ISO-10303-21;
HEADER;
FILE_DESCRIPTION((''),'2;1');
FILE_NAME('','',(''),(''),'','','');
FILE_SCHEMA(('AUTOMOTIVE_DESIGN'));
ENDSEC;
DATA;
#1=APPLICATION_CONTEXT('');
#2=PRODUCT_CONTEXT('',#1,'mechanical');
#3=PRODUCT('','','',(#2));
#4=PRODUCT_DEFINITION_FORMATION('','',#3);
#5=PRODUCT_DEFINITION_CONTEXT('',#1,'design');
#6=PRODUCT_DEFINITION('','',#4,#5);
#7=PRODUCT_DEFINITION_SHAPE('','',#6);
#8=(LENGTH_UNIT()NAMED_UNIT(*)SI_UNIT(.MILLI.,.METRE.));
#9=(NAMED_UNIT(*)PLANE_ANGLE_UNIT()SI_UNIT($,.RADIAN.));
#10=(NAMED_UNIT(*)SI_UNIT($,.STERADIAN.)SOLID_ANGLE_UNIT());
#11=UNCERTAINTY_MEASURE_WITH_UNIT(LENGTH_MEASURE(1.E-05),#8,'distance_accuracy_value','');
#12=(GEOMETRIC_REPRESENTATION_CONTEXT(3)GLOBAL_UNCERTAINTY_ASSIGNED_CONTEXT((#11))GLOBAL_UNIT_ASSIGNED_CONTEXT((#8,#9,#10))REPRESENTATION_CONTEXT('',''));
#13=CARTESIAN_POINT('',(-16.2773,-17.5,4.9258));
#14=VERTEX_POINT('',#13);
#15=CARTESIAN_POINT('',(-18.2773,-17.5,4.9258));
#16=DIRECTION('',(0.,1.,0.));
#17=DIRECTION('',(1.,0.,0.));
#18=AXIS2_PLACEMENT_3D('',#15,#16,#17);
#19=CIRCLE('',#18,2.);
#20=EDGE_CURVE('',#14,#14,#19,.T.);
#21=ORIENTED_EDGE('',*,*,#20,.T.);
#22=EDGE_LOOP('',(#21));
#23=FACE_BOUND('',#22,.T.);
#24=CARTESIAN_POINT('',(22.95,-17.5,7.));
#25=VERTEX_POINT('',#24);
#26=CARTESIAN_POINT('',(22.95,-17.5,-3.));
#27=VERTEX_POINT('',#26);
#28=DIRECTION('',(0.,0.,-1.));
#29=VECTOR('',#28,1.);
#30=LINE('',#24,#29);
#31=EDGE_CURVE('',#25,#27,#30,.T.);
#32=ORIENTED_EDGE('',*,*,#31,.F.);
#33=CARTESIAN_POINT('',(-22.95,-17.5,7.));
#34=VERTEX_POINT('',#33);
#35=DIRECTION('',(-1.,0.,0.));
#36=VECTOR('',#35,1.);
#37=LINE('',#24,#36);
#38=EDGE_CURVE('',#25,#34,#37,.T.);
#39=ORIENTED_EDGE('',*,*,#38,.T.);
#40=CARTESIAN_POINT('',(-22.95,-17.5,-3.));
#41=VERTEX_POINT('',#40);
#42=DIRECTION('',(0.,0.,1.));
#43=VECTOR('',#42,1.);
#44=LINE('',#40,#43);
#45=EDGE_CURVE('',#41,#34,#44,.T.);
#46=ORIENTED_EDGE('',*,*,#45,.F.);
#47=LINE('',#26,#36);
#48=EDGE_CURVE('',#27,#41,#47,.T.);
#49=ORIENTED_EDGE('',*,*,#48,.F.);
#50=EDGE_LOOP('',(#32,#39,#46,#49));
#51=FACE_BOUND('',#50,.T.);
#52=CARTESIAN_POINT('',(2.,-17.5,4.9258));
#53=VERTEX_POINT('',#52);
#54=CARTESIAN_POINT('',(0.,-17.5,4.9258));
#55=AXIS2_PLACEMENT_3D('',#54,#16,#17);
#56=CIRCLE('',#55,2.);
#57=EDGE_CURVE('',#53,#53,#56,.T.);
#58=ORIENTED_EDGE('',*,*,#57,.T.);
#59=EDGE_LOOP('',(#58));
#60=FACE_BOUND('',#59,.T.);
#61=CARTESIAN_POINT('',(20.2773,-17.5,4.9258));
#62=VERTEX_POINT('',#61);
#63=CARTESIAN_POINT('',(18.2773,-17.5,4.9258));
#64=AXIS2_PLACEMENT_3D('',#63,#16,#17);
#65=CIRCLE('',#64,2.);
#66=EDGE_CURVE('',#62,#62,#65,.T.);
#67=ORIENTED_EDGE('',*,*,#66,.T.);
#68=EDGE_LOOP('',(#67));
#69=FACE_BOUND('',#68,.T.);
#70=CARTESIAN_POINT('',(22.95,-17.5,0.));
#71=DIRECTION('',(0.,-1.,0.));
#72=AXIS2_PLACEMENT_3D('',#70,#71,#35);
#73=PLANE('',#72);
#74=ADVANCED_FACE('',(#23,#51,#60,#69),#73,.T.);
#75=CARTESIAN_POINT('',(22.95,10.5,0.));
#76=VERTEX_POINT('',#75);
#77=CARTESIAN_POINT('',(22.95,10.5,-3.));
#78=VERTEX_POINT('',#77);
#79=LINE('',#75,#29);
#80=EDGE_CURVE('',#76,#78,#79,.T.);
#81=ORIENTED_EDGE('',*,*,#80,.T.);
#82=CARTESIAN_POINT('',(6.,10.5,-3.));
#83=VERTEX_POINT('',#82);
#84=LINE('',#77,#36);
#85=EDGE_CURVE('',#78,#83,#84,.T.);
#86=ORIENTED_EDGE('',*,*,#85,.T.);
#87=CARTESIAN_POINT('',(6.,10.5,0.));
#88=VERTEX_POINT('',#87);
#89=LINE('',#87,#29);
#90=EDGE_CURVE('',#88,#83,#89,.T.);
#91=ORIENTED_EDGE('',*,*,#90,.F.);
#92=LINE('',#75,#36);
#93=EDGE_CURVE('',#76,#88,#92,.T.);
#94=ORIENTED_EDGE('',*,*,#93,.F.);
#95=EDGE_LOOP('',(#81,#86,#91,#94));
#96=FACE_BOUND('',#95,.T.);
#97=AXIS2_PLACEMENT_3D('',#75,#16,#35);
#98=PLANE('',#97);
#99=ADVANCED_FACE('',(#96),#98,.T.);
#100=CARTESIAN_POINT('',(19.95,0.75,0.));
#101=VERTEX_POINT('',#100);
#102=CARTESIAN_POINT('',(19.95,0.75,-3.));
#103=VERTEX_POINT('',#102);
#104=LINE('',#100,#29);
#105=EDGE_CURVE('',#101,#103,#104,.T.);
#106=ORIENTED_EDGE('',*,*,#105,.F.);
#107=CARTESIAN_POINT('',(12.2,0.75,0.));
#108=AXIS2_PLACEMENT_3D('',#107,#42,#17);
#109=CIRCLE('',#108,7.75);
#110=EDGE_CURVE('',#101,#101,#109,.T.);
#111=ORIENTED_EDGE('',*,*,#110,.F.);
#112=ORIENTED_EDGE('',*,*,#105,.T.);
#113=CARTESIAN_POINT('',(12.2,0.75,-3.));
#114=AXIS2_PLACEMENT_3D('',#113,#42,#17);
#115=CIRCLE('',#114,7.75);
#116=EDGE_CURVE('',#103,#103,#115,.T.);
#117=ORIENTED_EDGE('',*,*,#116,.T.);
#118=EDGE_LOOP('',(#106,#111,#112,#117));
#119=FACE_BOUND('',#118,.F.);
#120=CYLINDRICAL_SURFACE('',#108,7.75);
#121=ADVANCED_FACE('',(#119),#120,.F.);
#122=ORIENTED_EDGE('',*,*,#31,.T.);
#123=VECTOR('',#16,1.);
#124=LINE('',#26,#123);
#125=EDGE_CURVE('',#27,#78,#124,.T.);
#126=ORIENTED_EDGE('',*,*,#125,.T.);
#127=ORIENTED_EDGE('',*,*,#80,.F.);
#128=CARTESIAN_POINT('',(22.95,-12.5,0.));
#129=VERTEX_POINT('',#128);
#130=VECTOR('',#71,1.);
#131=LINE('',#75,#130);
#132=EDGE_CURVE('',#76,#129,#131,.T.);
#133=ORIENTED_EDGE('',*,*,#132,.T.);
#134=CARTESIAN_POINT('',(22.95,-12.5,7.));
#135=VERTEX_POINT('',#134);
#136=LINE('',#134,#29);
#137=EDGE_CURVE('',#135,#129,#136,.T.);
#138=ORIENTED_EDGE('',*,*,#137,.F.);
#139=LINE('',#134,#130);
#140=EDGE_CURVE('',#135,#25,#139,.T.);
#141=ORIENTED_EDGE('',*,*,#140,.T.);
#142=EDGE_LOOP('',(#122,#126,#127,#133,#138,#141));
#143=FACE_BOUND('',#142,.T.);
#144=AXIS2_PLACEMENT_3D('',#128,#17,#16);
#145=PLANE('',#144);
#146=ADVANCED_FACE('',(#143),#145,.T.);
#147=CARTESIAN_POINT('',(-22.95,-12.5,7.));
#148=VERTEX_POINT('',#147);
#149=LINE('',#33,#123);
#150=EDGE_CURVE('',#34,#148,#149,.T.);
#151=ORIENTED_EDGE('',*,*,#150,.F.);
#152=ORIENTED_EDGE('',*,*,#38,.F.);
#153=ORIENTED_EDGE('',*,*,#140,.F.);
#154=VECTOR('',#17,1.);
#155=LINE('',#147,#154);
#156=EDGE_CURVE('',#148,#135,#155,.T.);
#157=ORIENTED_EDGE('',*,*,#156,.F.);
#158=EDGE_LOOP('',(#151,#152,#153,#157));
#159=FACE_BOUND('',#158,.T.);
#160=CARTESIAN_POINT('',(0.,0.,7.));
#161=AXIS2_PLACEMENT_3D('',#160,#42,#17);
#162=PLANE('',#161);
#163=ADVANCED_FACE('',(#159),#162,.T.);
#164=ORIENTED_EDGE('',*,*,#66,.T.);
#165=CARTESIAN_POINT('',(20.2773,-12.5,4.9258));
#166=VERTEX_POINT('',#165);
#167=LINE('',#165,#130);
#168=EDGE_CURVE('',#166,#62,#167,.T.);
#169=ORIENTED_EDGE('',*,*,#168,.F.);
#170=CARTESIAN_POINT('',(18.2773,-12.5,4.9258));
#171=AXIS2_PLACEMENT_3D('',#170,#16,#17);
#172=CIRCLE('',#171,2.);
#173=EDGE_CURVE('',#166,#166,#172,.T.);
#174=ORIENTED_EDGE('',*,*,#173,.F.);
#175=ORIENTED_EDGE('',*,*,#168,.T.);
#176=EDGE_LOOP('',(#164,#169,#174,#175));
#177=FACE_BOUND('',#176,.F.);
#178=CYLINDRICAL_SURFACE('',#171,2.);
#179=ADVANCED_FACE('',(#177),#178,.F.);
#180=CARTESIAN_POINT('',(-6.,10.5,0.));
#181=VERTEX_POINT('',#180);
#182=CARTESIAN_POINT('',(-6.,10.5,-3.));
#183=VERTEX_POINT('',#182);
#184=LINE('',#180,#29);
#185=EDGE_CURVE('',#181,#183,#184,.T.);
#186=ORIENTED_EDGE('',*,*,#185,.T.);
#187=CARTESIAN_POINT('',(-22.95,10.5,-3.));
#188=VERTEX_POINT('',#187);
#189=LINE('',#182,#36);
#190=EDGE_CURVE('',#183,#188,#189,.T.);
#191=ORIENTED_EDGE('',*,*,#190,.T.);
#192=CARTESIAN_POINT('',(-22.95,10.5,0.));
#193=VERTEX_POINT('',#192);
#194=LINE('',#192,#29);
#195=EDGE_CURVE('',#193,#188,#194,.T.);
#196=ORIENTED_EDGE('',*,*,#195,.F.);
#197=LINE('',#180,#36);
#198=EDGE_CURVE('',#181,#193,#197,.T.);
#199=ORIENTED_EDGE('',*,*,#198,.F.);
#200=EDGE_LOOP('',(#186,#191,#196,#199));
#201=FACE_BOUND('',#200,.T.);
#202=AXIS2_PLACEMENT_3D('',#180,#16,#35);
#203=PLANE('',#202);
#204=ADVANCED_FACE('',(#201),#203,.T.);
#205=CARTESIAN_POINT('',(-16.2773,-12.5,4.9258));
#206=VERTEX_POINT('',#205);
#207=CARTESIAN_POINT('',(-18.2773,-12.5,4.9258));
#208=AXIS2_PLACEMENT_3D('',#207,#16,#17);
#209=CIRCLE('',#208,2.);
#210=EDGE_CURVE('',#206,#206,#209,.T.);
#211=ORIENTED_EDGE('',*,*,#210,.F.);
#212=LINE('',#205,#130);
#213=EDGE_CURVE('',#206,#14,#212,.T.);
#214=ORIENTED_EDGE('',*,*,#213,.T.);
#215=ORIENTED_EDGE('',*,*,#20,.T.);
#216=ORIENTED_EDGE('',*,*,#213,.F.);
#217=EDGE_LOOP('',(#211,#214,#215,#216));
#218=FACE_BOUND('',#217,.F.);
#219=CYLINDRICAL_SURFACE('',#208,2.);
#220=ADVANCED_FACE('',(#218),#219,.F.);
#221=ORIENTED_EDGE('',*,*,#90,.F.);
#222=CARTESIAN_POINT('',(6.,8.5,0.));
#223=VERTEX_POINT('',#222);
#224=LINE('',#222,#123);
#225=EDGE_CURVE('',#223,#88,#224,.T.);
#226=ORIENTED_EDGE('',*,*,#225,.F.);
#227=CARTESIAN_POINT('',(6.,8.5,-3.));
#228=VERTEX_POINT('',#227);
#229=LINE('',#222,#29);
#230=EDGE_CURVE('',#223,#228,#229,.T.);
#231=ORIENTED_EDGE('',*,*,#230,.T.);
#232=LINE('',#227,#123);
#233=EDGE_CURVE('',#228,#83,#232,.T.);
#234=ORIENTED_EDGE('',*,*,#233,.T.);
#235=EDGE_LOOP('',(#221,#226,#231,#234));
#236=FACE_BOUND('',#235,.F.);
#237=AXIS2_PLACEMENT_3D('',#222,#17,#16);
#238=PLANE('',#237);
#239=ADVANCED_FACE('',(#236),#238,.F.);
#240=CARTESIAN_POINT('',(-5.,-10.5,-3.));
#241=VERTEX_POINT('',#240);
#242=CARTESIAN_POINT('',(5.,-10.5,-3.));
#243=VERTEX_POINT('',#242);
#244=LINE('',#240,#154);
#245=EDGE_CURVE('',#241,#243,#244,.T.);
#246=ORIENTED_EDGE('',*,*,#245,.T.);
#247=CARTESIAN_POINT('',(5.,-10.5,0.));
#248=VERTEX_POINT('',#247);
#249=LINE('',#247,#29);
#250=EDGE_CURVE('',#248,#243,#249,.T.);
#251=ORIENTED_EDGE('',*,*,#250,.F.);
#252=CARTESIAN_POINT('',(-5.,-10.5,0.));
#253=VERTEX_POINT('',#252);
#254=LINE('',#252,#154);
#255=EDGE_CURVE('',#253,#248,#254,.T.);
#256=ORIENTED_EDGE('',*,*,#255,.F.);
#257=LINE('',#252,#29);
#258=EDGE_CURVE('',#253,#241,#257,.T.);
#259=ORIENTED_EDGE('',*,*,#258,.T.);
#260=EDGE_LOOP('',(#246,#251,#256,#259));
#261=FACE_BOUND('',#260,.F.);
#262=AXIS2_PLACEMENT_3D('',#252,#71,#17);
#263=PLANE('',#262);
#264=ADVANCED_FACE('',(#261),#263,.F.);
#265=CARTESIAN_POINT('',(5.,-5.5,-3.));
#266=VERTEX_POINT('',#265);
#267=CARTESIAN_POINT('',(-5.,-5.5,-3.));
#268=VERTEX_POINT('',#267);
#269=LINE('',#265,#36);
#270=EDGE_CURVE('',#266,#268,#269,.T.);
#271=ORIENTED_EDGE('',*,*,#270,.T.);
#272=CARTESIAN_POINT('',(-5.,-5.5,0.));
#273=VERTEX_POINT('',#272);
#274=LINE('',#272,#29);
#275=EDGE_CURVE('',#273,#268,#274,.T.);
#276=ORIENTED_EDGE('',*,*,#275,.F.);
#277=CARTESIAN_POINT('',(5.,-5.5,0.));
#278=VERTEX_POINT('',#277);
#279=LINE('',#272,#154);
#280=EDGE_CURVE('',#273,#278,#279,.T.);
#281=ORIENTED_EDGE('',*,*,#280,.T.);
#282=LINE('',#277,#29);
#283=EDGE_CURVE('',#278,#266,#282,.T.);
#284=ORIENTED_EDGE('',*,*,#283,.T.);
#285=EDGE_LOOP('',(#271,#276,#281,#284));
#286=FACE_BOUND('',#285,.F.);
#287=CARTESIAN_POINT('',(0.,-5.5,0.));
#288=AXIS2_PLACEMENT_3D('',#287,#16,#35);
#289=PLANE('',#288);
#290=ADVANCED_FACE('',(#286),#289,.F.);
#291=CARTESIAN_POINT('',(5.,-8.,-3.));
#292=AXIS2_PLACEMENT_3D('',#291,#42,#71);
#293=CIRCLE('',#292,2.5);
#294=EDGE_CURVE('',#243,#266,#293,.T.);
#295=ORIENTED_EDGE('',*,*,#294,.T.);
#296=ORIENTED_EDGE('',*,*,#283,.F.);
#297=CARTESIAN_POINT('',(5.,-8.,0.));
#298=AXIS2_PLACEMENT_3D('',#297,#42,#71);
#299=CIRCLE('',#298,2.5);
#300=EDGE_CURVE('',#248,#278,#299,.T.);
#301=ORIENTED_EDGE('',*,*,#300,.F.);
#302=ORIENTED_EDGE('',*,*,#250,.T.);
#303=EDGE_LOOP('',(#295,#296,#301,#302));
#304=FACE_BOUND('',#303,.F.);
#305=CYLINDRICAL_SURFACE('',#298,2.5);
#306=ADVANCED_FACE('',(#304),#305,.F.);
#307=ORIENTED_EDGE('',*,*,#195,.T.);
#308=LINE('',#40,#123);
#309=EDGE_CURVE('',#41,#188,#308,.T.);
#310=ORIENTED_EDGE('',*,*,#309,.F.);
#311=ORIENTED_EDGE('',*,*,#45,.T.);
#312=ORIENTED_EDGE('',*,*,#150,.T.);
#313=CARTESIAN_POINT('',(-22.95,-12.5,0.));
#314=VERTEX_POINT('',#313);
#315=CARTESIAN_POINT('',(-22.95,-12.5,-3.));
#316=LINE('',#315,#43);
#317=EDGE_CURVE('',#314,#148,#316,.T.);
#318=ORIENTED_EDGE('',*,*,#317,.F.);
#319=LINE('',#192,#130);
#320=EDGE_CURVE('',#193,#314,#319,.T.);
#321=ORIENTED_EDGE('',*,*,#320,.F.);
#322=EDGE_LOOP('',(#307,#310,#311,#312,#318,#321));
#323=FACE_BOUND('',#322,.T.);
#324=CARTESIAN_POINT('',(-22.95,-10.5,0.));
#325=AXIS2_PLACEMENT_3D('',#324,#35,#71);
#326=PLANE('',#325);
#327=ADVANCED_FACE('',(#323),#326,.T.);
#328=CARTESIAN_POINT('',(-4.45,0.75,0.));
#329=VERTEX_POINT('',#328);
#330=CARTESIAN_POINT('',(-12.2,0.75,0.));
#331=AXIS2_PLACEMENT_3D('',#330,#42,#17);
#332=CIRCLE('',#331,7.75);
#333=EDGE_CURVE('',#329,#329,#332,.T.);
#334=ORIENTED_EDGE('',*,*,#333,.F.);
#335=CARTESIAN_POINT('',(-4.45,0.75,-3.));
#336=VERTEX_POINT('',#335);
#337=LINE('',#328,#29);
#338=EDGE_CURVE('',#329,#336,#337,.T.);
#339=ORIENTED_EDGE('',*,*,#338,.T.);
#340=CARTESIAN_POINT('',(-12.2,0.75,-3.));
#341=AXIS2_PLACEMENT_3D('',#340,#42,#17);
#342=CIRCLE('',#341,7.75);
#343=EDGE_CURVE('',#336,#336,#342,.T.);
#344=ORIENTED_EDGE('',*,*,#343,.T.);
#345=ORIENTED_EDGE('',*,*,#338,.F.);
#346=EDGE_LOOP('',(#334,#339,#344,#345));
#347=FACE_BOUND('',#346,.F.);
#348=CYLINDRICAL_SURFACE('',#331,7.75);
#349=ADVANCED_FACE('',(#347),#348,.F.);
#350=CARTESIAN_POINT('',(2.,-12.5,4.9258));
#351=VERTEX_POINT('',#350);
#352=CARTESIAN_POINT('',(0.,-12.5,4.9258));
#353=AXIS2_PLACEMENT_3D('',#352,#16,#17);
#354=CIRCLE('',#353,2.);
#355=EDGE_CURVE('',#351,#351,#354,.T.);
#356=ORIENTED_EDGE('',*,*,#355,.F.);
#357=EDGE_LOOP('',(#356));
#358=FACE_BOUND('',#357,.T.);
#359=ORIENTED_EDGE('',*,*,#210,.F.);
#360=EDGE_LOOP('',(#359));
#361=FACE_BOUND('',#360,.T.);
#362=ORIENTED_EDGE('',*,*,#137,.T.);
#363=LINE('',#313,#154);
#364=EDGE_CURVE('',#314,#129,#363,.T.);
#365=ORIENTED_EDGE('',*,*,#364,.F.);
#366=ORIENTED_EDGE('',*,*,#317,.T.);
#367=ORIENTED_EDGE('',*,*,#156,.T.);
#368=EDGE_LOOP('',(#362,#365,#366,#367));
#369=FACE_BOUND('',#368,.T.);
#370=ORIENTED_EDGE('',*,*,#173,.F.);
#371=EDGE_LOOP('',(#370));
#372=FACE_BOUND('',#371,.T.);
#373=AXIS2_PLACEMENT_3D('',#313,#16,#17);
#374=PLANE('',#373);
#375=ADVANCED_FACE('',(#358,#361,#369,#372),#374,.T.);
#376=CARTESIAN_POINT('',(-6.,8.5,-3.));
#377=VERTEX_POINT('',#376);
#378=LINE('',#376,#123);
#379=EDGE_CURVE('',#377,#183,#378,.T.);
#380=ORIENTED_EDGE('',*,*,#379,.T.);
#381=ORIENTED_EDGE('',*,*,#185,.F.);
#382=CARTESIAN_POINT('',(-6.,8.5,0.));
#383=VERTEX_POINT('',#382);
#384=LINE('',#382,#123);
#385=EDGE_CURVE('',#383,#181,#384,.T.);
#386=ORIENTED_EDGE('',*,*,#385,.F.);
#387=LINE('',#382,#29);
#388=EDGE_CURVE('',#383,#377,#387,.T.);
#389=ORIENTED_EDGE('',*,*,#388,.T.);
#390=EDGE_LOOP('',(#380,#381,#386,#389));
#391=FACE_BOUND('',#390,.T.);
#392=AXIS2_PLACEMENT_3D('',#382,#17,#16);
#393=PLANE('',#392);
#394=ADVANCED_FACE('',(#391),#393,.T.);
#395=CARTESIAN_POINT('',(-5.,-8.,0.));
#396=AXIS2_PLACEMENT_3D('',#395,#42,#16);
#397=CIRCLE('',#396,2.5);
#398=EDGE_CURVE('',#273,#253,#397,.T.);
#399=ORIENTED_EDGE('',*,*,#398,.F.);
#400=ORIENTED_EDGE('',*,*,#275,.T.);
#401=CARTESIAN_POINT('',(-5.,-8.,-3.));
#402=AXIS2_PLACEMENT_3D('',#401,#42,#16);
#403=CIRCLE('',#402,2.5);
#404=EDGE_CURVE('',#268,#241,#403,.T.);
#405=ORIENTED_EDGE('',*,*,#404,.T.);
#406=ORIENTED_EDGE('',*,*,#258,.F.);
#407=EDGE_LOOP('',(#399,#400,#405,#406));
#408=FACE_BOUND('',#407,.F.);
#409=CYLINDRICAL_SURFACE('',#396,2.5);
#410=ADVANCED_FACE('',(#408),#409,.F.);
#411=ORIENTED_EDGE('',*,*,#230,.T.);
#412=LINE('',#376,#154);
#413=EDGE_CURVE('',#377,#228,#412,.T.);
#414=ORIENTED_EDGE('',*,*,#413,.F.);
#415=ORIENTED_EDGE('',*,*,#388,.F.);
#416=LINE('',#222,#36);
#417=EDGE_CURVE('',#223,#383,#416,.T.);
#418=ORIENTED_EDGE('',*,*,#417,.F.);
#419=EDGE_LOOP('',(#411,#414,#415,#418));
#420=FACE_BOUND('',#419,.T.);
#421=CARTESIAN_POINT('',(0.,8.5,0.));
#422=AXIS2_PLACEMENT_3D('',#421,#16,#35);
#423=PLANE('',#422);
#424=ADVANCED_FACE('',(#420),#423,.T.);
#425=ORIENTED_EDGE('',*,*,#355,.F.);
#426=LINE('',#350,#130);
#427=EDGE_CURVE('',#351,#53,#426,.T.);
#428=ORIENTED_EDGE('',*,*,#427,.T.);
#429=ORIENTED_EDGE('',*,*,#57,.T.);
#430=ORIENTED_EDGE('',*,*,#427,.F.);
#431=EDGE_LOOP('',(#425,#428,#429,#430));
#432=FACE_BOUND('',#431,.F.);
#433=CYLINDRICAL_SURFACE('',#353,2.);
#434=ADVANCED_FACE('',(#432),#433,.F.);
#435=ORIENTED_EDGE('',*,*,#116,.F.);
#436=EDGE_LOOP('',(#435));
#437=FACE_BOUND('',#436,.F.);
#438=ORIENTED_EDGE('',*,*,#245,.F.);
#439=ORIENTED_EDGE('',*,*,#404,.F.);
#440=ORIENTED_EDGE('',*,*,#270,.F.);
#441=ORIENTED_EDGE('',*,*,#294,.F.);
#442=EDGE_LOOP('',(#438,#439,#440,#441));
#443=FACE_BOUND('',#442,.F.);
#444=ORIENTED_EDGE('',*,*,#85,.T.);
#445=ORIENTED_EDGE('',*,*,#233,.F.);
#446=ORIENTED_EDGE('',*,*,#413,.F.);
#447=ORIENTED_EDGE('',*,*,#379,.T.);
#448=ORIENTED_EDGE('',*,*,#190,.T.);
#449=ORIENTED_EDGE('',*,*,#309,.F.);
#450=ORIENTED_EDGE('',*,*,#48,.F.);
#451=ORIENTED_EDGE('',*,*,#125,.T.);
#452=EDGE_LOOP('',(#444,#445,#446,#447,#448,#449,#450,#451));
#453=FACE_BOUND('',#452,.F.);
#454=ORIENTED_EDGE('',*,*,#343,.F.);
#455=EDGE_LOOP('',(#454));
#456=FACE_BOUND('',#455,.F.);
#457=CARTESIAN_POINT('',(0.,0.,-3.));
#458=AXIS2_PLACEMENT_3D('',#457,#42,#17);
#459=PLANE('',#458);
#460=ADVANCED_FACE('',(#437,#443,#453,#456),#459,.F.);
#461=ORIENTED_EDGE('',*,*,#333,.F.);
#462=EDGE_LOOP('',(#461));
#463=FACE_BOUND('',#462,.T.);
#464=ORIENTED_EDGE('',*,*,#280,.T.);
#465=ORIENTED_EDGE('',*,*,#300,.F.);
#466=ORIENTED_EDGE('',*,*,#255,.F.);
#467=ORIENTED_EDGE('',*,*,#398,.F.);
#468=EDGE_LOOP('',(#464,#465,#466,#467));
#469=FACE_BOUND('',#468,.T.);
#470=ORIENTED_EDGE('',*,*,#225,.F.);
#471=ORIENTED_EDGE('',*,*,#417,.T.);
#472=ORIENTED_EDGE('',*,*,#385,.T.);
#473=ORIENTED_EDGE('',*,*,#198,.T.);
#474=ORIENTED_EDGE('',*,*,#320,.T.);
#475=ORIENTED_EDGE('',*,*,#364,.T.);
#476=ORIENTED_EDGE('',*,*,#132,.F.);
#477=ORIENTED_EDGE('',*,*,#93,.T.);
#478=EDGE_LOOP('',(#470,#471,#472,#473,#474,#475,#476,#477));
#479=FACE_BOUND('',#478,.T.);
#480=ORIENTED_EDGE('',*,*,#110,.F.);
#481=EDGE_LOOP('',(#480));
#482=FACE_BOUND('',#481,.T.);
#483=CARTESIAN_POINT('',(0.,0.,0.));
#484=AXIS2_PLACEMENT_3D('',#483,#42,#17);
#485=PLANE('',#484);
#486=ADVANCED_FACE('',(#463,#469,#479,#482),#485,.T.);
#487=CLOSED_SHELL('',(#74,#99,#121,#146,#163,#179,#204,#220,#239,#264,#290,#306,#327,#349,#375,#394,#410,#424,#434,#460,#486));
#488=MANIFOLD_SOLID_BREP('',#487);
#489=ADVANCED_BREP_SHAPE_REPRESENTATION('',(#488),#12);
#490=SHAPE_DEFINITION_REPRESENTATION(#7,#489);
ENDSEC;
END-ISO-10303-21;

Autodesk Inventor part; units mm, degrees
ref_plane "YZ Plane" through (0, 0, 0) normal (1, 0, 0) x (0, 1, 0)
ref_plane "XZ Plane" through (0, 0, 0) normal (0, 1, 0) x (-1, 0, 0)
ref_plane "XY Plane" through (0, 0, 0) normal (0, 0, 1) x (1, 0, 0)
sketch "Эскиз3" plane through (0, 0, 0) normal (0, 0, 1) x (1, 0, 0)
  line L0 (22.95, -10.5) -> (22.95, 10.5)
  line L1 (-22.95, 10.5) -> (-22.95, -10.5)
  line L2 (-22.95, -10.5) -> (22.95, 10.5) construction
  line L3 (22.95, -10.5) -> (-22.95, 10.5) construction
  line L4 (-6, 10.5) -> (-22.95, 10.5) construction
  line L5 (6, 10.5) -> (22.95, 10.5) construction
  line L6 (22.95, 0) -> (19.95, 0) construction
  line L7 (16.3868, 10.5) -> (16.3868, 8.5) construction
  line L8 (17.599, 8.5) -> (14.8742, 8.5) construction
  line L9 (19.95, 1.7069) -> (19.95, -1.7382) construction
  line L10 (16.2366, -10.5) -> (16.2366, -7) construction
  line L11 (17.599, -7) -> (14.2766, -7) construction
  circle A0 centre (12.2, 0.75) radius 7.75
  line L12 (0, 10.5) -> (0, -10.5) construction
  line L13 (-22.95, 0) -> (-19.95, 0) construction
  line L14 (-16.3868, 10.5) -> (-16.3868, 8.5) construction
  line L15 (-17.599, 8.5) -> (-14.8742, 8.5) construction
  line L16 (-19.95, 1.7069) -> (-19.95, -1.7382) construction
  line L17 (-16.2366, -10.5) -> (-16.2366, -7) construction
  line L18 (-17.599, -7) -> (-14.2766, -7) construction
  circle A1 centre (-12.2, 0.75) radius 7.75
  line L19 (-22.95, 0) -> (22.95, 0) construction
  line L20 (0, 8.5) -> (0, -5.5) construction
  line L21 (0, -5.5) -> (5, -5.5)
  line L22 (0, -5.5) -> (-5, -5.5)
  line L23 (-5, -10.5) -> (5, -10.5)
  arc A2 (-5, -5.5) -> (-5, -10.5) centre (-5, -8) ccw
  arc A3 (5, -10.5) -> (5, -5.5) centre (5, -8) ccw
  line L24 (-22.95, -10.5) -> (-22.95, -12.5)
  line L25 (-22.95, -12.5) -> (22.95, -12.5)
  line L26 (22.95, -12.5) -> (22.95, -10.5)
  line L27 (0, 8.5) -> (6, 8.5)
  line L28 (0, 8.5) -> (-6, 8.5)
  line L29 (-6, 8.5) -> (-6, 10.5)
  line L30 (6, 8.5) -> (6, 10.5)
  line L31 (22.95, 10.5) -> (6, 10.5)
  line L32 (-6, 10.5) -> (-22.95, 10.5)
  point P0 (0, 0)
  point P1 (5, -5.5)
  point P2 (-5, -5.5)
  dimension "d23" = 45.9
  dimension "d24" = 21
  dimension "d26" = 3
  dimension "d27" = 2
  dimension "d29" = 3.5
  dimension "d30" = 16
  dimension "d31" = 5
  dimension "d32" = 2.5
  dimension "d35" = 2
  dimension "d47" = 6
  dimension "d48" = 6
extrude "Выдавливание5" add sketch "Эскиз3" against normal blind 3
sketch "Эскиз4" plane through (0, 0, 0) normal (0, 0, 1) x (1, 0, 0)
  line L0 (-22.95, -12.5) -> (22.95, -12.5)
  line L1 (22.95, -12.5) -> (22.95, -17.5)
  line L2 (22.95, -17.5) -> (-22.95, -17.5)
  line L3 (-22.95, -17.5) -> (-22.95, -12.5)
  line L4 (22.95, -12.5) -> (-22.95, -12.5) projected
  point P0 (0, 0)
  dimension "d36" = 5
extrude "Выдавливание6" add sketch "Эскиз4" along normal blind 7 and the other way blind 3
sketch "Эскиз6" plane through (-22.95, -12.5, 0) normal (0, 1, 0) x (1, 0, 0)
  line L0 (45.9, 0) -> (0, 0) projected
  line L1 (0, -7) -> (0, 0) projected
  line L2 (45.9, -7) -> (0, -7) projected
  line L3 (45.9, 0) -> (45.9, -7) projected
  line L4 (45.9, 0) -> (45.9, -7) construction
  line L5 (45.9, -3.5) -> (0, -3.5) construction
  line L6 (0, -7) -> (0, 0) construction
  line L7 (0, -7) -> (45.9, -7) construction
  line L8 (22.95, -7) -> (22.95, 0) construction
  circle A0 centre (41.2273, -4.9258) radius 2
  circle A1 centre (4.6727, -4.9258) radius 2
  line L9 (45.9, -4.1809) -> (0, -4.1809) construction
  circle A2 centre (22.95, -4.9258) radius 2
  dimension "d50" = 4
extrude "Выдавливание8" cut sketch "Эскиз6" against normal blind 10 contours A0 | A1 | A2
properties part number "Mount for US"
